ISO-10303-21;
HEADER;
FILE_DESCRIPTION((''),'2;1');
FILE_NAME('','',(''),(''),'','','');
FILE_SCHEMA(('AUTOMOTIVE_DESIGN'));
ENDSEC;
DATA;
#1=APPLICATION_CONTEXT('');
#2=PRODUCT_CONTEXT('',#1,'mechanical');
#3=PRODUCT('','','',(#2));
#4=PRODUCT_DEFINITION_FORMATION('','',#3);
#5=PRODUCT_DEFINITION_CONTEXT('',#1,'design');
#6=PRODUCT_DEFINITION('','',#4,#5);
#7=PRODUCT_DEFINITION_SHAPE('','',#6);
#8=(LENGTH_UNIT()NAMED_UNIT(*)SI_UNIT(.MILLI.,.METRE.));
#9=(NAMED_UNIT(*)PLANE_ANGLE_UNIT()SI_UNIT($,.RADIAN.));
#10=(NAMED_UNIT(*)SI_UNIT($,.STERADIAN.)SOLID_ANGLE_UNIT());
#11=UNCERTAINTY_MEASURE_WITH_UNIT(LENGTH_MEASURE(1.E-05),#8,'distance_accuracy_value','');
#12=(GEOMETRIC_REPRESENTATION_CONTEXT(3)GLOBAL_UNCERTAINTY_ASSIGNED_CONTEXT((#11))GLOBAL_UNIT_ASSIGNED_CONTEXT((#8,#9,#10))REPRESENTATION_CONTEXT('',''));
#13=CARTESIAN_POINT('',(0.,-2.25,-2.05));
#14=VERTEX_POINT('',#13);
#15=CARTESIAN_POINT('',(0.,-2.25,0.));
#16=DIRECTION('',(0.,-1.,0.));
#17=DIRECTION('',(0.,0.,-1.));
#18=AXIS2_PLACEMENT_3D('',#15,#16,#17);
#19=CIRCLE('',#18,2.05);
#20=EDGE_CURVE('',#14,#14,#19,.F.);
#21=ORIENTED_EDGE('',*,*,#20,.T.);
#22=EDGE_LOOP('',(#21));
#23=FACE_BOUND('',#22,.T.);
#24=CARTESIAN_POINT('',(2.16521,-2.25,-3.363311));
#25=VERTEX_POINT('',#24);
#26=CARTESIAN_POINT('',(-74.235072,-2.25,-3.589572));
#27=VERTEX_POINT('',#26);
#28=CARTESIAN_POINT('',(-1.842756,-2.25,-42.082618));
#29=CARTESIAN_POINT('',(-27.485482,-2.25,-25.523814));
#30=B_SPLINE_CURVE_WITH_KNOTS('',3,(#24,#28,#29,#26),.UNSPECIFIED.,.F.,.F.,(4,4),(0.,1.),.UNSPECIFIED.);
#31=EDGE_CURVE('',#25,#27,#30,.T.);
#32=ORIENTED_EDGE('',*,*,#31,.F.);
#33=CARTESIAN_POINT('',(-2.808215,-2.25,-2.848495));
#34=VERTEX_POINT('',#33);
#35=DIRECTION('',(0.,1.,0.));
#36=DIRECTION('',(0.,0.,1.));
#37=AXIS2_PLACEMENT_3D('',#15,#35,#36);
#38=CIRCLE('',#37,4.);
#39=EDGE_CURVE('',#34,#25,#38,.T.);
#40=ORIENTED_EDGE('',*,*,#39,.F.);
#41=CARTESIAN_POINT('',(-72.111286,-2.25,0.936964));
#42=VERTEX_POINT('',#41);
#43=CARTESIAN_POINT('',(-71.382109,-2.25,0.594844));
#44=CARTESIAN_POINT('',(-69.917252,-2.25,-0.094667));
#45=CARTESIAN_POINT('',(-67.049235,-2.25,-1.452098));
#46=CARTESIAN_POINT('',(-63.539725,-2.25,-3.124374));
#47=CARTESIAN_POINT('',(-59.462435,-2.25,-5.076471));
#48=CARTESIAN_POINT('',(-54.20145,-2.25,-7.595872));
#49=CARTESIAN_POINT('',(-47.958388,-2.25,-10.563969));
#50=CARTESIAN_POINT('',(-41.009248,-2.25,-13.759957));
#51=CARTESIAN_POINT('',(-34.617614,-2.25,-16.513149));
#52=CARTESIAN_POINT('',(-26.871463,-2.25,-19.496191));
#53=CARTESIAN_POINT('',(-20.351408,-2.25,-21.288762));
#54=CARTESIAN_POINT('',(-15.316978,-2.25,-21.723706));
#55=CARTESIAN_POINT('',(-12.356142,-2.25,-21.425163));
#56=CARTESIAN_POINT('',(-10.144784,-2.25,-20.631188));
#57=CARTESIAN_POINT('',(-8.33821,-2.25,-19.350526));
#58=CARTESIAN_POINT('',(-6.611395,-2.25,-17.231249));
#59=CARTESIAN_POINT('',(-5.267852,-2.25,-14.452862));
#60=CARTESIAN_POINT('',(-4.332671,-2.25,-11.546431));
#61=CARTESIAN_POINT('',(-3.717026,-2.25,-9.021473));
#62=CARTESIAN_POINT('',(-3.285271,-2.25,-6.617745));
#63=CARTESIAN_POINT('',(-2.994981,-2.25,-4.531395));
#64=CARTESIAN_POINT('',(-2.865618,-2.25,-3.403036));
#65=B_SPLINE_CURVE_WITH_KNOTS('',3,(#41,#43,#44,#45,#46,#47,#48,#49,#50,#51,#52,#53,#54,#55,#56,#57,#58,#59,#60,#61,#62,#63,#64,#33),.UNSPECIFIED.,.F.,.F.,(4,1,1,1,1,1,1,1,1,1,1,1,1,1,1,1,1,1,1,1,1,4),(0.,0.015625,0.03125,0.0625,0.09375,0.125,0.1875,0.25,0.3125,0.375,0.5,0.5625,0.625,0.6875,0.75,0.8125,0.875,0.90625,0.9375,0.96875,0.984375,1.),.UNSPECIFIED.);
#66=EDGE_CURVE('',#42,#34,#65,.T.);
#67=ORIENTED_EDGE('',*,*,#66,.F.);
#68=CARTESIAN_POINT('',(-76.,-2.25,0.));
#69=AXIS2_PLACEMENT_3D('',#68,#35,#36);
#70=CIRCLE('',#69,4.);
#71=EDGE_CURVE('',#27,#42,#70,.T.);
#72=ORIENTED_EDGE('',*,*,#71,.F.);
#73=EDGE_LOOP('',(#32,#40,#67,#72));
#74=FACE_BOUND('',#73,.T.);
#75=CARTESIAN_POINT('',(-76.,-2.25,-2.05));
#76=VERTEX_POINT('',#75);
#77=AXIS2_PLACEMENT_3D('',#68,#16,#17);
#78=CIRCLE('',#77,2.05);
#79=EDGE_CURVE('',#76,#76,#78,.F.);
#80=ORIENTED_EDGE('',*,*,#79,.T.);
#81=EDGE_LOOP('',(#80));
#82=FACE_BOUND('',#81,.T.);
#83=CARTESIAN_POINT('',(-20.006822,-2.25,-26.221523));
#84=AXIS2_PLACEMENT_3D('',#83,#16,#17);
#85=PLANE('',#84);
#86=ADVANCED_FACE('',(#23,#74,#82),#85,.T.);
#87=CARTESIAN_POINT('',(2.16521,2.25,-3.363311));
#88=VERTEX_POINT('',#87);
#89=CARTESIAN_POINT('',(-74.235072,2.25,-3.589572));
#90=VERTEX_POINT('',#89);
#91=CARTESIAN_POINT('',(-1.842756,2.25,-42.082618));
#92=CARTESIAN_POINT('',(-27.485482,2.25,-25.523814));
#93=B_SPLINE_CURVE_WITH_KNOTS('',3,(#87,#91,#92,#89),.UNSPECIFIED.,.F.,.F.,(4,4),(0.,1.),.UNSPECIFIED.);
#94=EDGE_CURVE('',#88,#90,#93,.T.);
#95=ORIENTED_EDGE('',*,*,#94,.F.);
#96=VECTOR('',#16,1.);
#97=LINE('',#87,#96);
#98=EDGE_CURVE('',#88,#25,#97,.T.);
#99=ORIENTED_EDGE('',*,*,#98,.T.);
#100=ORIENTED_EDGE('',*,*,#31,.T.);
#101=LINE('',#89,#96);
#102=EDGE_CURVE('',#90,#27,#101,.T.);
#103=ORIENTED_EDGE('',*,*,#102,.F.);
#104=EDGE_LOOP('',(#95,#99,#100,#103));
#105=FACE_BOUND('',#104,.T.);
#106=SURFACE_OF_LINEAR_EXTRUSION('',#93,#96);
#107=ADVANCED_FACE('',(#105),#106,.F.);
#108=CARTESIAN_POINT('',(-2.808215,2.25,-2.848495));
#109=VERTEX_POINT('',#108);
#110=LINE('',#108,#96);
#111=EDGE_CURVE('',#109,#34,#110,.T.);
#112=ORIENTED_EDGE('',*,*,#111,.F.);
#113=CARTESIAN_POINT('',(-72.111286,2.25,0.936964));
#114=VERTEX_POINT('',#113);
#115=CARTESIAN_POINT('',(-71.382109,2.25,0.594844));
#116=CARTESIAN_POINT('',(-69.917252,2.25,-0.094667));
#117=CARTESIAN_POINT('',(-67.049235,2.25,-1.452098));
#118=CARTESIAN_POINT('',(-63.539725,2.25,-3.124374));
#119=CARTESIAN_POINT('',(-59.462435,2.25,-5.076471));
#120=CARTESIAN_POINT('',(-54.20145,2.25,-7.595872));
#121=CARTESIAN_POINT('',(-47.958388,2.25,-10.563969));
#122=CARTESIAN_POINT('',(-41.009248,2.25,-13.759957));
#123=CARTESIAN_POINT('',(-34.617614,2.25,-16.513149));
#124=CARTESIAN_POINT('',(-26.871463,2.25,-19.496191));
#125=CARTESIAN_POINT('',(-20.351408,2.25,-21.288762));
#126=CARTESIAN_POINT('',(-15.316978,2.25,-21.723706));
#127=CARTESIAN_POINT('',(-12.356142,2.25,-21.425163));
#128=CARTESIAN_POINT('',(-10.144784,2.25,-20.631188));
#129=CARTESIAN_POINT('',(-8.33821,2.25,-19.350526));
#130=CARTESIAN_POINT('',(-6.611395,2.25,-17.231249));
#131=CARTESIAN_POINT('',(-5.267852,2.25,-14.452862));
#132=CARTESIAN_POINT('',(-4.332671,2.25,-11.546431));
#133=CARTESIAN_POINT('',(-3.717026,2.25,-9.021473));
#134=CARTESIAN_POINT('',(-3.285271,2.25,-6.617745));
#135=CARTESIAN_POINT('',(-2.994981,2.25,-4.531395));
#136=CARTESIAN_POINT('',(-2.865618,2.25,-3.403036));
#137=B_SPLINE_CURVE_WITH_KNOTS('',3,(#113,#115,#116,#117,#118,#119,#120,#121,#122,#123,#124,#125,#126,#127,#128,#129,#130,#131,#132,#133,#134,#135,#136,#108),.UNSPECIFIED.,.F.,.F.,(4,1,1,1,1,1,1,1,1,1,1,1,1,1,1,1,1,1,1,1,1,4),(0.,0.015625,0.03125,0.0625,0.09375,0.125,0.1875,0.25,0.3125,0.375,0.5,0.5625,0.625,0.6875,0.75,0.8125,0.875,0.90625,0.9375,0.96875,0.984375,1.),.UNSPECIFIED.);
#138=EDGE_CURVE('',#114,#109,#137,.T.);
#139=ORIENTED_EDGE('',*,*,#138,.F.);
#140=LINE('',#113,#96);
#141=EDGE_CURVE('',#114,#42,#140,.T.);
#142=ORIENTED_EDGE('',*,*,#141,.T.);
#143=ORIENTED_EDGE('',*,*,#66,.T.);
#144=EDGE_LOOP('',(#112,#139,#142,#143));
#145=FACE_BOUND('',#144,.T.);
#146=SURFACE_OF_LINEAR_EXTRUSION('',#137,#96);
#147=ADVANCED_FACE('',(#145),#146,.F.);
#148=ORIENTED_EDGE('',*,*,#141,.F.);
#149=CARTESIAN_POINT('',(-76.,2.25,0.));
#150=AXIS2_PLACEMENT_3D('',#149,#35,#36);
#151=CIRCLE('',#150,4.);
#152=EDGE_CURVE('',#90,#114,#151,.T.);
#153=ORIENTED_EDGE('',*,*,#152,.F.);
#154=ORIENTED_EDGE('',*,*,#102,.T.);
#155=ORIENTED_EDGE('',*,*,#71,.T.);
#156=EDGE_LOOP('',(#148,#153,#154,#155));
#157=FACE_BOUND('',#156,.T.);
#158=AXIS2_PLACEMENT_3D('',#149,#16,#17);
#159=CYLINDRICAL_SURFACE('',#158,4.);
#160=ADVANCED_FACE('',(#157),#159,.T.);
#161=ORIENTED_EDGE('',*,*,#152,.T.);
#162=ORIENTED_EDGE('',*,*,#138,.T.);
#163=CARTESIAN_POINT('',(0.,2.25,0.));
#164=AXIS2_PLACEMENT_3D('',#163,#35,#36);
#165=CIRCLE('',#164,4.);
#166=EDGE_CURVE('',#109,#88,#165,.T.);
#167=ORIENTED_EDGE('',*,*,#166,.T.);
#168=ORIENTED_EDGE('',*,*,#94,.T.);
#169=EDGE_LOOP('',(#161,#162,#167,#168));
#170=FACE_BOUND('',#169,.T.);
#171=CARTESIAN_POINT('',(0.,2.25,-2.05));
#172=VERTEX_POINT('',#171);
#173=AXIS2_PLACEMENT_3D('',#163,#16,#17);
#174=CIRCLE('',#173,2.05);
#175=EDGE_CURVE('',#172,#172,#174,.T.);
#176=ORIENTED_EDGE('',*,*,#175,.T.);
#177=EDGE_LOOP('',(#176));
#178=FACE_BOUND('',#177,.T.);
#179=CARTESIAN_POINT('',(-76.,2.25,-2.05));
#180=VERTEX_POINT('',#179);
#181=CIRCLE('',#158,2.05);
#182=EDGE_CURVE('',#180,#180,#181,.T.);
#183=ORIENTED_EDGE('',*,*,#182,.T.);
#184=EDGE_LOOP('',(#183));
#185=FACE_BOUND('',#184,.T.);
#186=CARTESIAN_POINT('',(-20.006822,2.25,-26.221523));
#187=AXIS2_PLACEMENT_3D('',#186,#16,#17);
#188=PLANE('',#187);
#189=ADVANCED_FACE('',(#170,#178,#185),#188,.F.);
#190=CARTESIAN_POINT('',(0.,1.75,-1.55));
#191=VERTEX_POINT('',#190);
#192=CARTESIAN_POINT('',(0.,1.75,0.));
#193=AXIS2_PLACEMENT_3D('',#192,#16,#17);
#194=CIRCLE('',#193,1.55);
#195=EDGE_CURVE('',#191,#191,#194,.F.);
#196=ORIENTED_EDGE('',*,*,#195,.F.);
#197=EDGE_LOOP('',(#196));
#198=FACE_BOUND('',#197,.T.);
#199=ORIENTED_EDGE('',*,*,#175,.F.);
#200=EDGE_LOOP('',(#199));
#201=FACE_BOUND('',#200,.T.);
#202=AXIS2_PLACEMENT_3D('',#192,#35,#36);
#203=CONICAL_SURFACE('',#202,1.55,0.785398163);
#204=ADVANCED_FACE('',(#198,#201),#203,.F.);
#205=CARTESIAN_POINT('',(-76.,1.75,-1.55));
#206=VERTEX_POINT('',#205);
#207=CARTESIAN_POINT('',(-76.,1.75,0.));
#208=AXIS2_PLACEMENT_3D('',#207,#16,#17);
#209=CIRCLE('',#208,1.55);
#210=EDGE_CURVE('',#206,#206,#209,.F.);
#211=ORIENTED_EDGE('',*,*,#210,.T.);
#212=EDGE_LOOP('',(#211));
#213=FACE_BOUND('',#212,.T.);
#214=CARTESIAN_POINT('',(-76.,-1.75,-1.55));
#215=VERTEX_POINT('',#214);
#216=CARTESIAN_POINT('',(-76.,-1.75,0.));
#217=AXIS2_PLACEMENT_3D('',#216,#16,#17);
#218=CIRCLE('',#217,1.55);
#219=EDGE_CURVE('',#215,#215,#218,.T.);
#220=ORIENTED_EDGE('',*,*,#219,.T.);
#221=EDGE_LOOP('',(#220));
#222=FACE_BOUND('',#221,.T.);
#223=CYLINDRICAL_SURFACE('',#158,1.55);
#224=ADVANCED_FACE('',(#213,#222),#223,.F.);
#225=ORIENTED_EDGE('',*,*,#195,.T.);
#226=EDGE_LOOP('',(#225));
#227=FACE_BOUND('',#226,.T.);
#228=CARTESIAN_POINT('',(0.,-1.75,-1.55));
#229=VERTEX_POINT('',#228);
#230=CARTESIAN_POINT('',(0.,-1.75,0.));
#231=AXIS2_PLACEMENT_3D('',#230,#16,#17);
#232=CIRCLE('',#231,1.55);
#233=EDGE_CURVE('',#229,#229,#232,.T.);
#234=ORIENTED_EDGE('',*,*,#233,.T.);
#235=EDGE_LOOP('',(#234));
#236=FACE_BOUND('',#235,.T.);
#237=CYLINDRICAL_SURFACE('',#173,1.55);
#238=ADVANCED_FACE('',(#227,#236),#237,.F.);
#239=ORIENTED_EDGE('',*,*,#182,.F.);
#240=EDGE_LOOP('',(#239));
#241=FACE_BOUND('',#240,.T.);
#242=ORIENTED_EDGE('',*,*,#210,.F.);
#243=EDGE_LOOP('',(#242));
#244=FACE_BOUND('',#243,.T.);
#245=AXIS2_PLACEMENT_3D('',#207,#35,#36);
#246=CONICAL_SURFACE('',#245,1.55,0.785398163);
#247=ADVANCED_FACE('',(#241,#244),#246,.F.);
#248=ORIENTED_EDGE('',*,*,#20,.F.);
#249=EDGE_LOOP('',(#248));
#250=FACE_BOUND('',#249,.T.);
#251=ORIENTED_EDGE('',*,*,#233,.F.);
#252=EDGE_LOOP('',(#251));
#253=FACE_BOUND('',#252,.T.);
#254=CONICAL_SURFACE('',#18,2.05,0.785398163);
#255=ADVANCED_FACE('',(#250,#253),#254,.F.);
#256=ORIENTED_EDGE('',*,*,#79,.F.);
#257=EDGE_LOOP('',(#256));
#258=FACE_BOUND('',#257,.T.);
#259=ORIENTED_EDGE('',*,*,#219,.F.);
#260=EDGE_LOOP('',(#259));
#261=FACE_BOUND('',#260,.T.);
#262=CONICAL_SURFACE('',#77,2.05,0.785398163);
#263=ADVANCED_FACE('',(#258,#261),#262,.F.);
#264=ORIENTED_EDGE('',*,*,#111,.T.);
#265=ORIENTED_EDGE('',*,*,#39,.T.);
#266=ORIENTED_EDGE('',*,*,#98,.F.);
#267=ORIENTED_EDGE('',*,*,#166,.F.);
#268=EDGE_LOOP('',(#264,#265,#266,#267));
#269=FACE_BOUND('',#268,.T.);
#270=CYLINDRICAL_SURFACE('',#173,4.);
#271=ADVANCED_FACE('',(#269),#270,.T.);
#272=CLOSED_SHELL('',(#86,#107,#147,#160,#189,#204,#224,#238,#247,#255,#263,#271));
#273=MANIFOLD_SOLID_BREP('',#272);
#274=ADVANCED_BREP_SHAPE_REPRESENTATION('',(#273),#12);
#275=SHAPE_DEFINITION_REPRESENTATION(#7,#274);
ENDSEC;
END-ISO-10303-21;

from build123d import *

# Parameters (mm, degrees)
SKETCH3_R           = 1.55
BOSS_EXTRUDE1_DEPTH = 2.25
CHAMFER1_SIZE       = 0.5


with BuildPart() as part:
    # Sketch3 → Boss-Extrude1 (new body, symmetric)
    with BuildSketch(Plane(origin=(0, 0, 0), x_dir=(1, 0, 0), z_dir=(0, 1, 0))):
        with BuildLine():
            ThreePointArc((-2.80821547, 2.84849537), (0.411852892, -3.978740654), (2.165210348, 3.363311485))
            add(Edge.make_bspline(
                [(-74.235072149, 3.589572353), (-27.485482272, 25.523814126), (-1.842755976, 42.082618466), (2.165210348, 3.363311485)],
                knots=[0, 0, 0, 0, 1, 1, 1, 1], degree=3))
            ThreePointArc((-74.235072149, 3.589572353), (-79.621229083, -1.699029113), (-72.111285757, -0.936964001))
            add(Edge.make_bspline(
                [(-72.111285757, -0.936964001), (-71.382108659, -0.594844491), (-69.917251853, 0.094667481), (-67.049234703, 1.45209838), (-63.539724816, 3.124374093), (-59.462435041, 5.076470765), (-54.201449811, 7.59587191), (-47.958388467, 10.563969303), (-41.009247812, 13.759956724), (-34.617613527, 16.513148974), (-26.871463459, 19.496190833), (-20.351407752, 21.288761702), (-15.316977929, 21.723706174), (-12.356142276, 21.425163203), (-10.144784364, 20.631187861), (-8.338210468, 19.350526304), (-6.611394971, 17.231248815), (-5.267852087, 14.452861921), (-4.332671494, 11.546431493), (-3.717026418, 9.021473164), (-3.285270796, 6.617744988), (-2.994980954, 4.531394989), (-2.865617891, 3.403036451), (-2.80821547, 2.84849537)],
                knots=[0, 0, 0, 0, 0.015625, 0.03125, 0.0625, 0.09375, 0.125, 0.1875, 0.25, 0.3125, 0.375, 0.5, 0.5625, 0.625, 0.6875, 0.75, 0.8125, 0.875, 0.90625, 0.9375, 0.96875, 0.984375, 1, 1, 1, 1], degree=3))
        make_face()
        with Locations((-76, 0)):
            Circle(SKETCH3_R, mode=Mode.SUBTRACT)
        Circle(SKETCH3_R, mode=Mode.SUBTRACT)
    extrude(amount=BOSS_EXTRUDE1_DEPTH, both=True)

    # Chamfer1
    chamfer1_edges = [part.edges().sort_by_distance(p)[0] for p in [
        (-77.55, -2.25, 0),
        (-1.55, -2.25, 0),
        (-77.55, 2.25, 0),
        (-1.55, 2.25, 0),
    ]]
    chamfer(chamfer1_edges, length=CHAMFER1_SIZE)


solid = part.part
